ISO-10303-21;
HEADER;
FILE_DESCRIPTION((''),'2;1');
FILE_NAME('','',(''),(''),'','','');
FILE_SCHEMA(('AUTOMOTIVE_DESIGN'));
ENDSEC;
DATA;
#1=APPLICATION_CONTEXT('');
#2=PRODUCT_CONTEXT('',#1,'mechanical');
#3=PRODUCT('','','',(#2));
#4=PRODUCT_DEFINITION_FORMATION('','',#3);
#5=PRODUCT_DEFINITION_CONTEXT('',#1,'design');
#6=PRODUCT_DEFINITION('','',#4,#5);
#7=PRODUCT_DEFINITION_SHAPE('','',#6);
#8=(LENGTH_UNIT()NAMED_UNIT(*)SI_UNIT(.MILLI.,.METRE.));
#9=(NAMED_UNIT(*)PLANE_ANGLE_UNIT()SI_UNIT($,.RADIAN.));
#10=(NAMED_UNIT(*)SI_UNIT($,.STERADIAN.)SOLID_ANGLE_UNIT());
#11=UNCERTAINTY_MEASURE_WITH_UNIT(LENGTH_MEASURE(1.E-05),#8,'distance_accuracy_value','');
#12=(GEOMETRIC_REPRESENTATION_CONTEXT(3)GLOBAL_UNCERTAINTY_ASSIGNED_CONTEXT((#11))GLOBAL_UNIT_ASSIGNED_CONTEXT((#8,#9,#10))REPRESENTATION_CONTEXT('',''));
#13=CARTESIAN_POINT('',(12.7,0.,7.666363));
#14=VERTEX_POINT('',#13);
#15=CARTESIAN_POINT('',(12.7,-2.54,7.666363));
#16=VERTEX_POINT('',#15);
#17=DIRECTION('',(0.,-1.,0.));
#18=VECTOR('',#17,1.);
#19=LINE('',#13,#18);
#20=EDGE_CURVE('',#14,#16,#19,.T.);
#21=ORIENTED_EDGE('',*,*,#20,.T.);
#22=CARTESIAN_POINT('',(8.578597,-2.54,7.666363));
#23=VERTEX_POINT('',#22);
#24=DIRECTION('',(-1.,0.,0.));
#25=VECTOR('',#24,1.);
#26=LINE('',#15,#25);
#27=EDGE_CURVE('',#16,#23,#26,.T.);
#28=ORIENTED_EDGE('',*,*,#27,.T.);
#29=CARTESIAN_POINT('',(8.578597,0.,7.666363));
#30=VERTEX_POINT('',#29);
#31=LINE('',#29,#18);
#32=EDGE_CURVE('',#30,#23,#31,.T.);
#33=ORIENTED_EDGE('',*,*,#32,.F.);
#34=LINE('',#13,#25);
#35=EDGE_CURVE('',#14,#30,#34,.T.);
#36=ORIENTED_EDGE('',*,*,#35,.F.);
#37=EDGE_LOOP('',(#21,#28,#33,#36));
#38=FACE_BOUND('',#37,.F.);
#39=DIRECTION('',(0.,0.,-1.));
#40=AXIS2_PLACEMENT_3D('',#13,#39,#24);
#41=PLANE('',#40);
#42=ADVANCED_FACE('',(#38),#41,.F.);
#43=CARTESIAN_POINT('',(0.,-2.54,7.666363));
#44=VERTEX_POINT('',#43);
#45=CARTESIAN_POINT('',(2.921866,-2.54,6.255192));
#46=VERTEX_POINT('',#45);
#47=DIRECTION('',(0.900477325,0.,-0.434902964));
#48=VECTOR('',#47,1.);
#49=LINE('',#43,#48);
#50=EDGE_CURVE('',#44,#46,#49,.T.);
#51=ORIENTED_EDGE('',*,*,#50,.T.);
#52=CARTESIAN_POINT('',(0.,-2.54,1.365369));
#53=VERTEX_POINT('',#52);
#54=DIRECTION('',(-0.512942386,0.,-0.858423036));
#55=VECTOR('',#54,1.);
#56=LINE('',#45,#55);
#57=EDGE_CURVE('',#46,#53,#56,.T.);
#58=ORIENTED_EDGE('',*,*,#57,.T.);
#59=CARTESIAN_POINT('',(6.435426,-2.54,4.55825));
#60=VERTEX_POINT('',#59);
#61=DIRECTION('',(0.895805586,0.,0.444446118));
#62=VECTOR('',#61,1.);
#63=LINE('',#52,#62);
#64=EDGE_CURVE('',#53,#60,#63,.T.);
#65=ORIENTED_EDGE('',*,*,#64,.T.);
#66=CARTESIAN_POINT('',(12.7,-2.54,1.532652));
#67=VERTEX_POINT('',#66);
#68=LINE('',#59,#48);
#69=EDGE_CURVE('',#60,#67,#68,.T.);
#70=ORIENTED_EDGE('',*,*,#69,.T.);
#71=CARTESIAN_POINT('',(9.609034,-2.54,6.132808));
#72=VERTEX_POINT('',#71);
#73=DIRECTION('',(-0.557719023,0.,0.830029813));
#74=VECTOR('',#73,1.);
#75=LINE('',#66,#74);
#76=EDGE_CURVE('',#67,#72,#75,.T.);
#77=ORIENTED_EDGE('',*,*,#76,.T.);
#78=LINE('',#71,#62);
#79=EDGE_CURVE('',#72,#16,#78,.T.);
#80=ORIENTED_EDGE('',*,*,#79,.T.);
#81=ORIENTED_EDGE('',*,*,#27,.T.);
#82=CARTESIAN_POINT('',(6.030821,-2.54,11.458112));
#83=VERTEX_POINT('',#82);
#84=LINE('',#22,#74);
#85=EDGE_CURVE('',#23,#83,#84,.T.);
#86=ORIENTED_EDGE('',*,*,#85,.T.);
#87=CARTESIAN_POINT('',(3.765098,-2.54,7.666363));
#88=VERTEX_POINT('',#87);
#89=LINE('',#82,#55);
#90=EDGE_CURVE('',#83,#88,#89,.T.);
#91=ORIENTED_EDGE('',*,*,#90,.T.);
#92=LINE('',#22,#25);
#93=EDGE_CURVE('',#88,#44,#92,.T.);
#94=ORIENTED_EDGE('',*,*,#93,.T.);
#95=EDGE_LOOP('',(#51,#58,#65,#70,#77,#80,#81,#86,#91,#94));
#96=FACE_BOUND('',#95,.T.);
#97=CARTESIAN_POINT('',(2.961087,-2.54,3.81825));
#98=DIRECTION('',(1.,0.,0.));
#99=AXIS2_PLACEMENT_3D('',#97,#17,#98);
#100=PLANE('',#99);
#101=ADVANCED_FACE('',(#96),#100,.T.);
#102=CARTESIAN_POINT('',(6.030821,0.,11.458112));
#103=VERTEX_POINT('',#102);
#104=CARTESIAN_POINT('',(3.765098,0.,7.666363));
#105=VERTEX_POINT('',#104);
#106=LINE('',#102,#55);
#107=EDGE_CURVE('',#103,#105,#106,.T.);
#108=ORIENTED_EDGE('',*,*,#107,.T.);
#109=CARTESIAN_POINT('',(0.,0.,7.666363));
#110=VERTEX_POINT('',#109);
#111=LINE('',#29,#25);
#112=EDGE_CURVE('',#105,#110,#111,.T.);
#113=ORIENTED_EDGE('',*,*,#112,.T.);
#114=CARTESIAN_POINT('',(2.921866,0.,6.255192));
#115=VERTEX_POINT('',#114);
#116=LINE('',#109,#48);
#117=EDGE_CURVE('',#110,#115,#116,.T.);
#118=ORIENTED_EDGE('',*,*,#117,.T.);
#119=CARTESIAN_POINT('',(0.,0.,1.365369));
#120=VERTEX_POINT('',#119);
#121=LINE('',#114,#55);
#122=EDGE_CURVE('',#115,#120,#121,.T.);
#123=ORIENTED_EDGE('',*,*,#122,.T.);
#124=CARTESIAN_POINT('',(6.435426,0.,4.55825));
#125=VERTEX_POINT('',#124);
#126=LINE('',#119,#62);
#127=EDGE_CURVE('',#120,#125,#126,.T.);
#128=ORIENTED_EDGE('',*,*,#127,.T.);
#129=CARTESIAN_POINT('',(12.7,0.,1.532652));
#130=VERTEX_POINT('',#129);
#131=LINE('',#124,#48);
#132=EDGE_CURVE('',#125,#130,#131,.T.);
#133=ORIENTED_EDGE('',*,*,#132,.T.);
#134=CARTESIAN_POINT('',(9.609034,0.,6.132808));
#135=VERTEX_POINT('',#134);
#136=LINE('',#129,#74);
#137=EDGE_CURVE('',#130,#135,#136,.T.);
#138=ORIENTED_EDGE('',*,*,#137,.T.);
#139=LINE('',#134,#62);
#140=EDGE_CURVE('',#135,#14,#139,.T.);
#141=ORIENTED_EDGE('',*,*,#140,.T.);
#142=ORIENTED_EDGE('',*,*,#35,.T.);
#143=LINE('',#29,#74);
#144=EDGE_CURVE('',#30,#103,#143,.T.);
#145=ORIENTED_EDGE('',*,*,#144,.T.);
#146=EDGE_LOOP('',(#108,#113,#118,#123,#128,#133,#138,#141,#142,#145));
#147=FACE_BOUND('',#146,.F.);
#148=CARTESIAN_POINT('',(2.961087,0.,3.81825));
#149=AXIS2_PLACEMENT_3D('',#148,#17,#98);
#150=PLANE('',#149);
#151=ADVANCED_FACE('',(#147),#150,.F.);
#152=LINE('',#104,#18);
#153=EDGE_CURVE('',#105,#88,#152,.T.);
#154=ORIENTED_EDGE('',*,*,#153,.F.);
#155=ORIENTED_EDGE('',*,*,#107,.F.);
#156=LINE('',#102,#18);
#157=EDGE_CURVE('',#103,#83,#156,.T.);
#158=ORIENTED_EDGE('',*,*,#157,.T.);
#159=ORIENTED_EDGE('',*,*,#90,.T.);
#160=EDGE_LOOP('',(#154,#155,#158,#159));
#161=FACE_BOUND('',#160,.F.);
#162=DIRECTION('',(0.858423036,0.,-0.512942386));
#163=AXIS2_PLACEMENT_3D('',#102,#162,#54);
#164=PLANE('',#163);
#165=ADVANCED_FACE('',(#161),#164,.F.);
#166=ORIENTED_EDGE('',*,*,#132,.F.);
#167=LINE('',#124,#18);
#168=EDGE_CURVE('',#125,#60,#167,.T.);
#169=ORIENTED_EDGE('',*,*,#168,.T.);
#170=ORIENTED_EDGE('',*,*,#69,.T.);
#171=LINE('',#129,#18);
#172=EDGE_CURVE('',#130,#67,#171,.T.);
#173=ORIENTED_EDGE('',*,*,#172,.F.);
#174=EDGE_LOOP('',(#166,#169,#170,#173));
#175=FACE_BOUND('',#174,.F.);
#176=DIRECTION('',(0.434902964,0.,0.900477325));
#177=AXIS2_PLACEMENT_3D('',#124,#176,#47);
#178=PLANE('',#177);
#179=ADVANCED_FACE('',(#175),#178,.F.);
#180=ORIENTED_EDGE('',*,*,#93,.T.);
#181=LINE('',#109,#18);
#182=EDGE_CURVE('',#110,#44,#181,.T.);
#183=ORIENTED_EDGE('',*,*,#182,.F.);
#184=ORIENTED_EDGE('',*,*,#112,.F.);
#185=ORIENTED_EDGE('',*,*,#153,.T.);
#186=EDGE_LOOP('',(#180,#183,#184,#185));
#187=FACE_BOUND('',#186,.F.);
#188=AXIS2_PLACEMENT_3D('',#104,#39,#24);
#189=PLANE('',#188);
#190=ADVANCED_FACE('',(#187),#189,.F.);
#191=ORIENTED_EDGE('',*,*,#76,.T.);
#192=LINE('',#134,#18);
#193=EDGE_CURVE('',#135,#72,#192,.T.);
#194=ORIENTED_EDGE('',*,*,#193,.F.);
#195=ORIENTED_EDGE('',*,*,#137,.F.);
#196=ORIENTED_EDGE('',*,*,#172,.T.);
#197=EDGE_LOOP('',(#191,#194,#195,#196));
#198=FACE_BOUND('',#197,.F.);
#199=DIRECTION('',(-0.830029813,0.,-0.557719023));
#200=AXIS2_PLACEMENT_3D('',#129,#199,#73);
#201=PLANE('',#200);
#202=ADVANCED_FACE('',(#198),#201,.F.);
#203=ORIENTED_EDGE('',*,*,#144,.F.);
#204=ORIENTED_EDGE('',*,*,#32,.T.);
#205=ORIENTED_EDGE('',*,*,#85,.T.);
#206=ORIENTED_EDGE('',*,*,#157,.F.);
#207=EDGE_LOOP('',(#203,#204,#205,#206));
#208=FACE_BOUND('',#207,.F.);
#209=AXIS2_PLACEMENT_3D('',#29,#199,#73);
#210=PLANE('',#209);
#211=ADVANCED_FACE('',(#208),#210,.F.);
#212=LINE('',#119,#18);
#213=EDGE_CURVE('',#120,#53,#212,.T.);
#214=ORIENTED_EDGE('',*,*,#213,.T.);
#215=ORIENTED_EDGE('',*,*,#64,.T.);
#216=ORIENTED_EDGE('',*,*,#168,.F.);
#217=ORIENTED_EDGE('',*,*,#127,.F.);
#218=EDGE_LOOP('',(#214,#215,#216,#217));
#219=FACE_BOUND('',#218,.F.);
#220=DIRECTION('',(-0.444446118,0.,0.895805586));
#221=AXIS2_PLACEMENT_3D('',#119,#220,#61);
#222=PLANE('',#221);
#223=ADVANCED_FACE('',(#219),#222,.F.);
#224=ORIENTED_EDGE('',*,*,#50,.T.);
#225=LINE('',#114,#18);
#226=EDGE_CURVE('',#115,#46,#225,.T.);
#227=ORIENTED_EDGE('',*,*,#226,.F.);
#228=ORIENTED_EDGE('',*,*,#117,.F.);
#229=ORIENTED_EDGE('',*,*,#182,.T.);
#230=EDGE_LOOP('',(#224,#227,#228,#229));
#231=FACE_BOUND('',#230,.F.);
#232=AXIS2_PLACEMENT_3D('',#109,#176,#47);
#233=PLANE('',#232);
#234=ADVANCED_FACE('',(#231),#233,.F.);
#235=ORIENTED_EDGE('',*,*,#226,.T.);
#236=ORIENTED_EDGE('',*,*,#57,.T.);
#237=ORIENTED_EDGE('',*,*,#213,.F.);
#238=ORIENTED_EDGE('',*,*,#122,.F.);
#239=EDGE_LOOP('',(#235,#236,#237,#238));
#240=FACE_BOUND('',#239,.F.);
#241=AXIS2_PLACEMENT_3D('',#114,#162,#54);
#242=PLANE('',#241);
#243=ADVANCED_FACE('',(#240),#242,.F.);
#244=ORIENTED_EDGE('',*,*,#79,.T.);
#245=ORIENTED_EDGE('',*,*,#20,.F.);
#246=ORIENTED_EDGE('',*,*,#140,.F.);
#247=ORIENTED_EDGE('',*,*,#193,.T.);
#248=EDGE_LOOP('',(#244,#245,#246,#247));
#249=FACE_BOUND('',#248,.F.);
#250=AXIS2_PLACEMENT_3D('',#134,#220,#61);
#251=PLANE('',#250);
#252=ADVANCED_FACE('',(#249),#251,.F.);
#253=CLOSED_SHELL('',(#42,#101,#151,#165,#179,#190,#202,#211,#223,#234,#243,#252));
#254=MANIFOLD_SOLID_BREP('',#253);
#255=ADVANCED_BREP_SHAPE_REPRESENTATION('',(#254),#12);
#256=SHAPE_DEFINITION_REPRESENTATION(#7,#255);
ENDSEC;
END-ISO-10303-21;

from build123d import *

# Parameters (mm, degrees)
F1_DEPTH = 2.54


with BuildPart() as f1:
    # F0 (on Front) → F1 (new body)
    with BuildSketch(Plane.XZ):
        Polygon((2.9218660327, 6.2551915915), (0, 1.3653693022), (6.4354260527, 4.5582497315), align=None)
        Polygon((0, 7.6663633808), (2.9218660327, 6.2551915915), (3.7650980918, 7.6663633808), align=None)
        Polygon((3.7650980918, 7.6663633808), (2.9218660327, 6.2551915915), (6.4354260527, 4.5582497315), (9.6090338884, 6.132807541), (8.5785970875, 7.6663633808), align=None)
        Polygon((9.6090338884, 6.132807541), (6.4354260527, 4.5582497315), (12.7, 1.5326524153), align=None)
        Polygon((6.0308207758, 11.4581119269), (3.7650980918, 7.6663633808), (8.5785970875, 7.6663633808), align=None)
        Polygon((8.5785970875, 7.6663633808), (9.6090338884, 6.132807541), (12.7, 7.6663633808), align=None)
    extrude(amount=F1_DEPTH)


solid = f1.part
